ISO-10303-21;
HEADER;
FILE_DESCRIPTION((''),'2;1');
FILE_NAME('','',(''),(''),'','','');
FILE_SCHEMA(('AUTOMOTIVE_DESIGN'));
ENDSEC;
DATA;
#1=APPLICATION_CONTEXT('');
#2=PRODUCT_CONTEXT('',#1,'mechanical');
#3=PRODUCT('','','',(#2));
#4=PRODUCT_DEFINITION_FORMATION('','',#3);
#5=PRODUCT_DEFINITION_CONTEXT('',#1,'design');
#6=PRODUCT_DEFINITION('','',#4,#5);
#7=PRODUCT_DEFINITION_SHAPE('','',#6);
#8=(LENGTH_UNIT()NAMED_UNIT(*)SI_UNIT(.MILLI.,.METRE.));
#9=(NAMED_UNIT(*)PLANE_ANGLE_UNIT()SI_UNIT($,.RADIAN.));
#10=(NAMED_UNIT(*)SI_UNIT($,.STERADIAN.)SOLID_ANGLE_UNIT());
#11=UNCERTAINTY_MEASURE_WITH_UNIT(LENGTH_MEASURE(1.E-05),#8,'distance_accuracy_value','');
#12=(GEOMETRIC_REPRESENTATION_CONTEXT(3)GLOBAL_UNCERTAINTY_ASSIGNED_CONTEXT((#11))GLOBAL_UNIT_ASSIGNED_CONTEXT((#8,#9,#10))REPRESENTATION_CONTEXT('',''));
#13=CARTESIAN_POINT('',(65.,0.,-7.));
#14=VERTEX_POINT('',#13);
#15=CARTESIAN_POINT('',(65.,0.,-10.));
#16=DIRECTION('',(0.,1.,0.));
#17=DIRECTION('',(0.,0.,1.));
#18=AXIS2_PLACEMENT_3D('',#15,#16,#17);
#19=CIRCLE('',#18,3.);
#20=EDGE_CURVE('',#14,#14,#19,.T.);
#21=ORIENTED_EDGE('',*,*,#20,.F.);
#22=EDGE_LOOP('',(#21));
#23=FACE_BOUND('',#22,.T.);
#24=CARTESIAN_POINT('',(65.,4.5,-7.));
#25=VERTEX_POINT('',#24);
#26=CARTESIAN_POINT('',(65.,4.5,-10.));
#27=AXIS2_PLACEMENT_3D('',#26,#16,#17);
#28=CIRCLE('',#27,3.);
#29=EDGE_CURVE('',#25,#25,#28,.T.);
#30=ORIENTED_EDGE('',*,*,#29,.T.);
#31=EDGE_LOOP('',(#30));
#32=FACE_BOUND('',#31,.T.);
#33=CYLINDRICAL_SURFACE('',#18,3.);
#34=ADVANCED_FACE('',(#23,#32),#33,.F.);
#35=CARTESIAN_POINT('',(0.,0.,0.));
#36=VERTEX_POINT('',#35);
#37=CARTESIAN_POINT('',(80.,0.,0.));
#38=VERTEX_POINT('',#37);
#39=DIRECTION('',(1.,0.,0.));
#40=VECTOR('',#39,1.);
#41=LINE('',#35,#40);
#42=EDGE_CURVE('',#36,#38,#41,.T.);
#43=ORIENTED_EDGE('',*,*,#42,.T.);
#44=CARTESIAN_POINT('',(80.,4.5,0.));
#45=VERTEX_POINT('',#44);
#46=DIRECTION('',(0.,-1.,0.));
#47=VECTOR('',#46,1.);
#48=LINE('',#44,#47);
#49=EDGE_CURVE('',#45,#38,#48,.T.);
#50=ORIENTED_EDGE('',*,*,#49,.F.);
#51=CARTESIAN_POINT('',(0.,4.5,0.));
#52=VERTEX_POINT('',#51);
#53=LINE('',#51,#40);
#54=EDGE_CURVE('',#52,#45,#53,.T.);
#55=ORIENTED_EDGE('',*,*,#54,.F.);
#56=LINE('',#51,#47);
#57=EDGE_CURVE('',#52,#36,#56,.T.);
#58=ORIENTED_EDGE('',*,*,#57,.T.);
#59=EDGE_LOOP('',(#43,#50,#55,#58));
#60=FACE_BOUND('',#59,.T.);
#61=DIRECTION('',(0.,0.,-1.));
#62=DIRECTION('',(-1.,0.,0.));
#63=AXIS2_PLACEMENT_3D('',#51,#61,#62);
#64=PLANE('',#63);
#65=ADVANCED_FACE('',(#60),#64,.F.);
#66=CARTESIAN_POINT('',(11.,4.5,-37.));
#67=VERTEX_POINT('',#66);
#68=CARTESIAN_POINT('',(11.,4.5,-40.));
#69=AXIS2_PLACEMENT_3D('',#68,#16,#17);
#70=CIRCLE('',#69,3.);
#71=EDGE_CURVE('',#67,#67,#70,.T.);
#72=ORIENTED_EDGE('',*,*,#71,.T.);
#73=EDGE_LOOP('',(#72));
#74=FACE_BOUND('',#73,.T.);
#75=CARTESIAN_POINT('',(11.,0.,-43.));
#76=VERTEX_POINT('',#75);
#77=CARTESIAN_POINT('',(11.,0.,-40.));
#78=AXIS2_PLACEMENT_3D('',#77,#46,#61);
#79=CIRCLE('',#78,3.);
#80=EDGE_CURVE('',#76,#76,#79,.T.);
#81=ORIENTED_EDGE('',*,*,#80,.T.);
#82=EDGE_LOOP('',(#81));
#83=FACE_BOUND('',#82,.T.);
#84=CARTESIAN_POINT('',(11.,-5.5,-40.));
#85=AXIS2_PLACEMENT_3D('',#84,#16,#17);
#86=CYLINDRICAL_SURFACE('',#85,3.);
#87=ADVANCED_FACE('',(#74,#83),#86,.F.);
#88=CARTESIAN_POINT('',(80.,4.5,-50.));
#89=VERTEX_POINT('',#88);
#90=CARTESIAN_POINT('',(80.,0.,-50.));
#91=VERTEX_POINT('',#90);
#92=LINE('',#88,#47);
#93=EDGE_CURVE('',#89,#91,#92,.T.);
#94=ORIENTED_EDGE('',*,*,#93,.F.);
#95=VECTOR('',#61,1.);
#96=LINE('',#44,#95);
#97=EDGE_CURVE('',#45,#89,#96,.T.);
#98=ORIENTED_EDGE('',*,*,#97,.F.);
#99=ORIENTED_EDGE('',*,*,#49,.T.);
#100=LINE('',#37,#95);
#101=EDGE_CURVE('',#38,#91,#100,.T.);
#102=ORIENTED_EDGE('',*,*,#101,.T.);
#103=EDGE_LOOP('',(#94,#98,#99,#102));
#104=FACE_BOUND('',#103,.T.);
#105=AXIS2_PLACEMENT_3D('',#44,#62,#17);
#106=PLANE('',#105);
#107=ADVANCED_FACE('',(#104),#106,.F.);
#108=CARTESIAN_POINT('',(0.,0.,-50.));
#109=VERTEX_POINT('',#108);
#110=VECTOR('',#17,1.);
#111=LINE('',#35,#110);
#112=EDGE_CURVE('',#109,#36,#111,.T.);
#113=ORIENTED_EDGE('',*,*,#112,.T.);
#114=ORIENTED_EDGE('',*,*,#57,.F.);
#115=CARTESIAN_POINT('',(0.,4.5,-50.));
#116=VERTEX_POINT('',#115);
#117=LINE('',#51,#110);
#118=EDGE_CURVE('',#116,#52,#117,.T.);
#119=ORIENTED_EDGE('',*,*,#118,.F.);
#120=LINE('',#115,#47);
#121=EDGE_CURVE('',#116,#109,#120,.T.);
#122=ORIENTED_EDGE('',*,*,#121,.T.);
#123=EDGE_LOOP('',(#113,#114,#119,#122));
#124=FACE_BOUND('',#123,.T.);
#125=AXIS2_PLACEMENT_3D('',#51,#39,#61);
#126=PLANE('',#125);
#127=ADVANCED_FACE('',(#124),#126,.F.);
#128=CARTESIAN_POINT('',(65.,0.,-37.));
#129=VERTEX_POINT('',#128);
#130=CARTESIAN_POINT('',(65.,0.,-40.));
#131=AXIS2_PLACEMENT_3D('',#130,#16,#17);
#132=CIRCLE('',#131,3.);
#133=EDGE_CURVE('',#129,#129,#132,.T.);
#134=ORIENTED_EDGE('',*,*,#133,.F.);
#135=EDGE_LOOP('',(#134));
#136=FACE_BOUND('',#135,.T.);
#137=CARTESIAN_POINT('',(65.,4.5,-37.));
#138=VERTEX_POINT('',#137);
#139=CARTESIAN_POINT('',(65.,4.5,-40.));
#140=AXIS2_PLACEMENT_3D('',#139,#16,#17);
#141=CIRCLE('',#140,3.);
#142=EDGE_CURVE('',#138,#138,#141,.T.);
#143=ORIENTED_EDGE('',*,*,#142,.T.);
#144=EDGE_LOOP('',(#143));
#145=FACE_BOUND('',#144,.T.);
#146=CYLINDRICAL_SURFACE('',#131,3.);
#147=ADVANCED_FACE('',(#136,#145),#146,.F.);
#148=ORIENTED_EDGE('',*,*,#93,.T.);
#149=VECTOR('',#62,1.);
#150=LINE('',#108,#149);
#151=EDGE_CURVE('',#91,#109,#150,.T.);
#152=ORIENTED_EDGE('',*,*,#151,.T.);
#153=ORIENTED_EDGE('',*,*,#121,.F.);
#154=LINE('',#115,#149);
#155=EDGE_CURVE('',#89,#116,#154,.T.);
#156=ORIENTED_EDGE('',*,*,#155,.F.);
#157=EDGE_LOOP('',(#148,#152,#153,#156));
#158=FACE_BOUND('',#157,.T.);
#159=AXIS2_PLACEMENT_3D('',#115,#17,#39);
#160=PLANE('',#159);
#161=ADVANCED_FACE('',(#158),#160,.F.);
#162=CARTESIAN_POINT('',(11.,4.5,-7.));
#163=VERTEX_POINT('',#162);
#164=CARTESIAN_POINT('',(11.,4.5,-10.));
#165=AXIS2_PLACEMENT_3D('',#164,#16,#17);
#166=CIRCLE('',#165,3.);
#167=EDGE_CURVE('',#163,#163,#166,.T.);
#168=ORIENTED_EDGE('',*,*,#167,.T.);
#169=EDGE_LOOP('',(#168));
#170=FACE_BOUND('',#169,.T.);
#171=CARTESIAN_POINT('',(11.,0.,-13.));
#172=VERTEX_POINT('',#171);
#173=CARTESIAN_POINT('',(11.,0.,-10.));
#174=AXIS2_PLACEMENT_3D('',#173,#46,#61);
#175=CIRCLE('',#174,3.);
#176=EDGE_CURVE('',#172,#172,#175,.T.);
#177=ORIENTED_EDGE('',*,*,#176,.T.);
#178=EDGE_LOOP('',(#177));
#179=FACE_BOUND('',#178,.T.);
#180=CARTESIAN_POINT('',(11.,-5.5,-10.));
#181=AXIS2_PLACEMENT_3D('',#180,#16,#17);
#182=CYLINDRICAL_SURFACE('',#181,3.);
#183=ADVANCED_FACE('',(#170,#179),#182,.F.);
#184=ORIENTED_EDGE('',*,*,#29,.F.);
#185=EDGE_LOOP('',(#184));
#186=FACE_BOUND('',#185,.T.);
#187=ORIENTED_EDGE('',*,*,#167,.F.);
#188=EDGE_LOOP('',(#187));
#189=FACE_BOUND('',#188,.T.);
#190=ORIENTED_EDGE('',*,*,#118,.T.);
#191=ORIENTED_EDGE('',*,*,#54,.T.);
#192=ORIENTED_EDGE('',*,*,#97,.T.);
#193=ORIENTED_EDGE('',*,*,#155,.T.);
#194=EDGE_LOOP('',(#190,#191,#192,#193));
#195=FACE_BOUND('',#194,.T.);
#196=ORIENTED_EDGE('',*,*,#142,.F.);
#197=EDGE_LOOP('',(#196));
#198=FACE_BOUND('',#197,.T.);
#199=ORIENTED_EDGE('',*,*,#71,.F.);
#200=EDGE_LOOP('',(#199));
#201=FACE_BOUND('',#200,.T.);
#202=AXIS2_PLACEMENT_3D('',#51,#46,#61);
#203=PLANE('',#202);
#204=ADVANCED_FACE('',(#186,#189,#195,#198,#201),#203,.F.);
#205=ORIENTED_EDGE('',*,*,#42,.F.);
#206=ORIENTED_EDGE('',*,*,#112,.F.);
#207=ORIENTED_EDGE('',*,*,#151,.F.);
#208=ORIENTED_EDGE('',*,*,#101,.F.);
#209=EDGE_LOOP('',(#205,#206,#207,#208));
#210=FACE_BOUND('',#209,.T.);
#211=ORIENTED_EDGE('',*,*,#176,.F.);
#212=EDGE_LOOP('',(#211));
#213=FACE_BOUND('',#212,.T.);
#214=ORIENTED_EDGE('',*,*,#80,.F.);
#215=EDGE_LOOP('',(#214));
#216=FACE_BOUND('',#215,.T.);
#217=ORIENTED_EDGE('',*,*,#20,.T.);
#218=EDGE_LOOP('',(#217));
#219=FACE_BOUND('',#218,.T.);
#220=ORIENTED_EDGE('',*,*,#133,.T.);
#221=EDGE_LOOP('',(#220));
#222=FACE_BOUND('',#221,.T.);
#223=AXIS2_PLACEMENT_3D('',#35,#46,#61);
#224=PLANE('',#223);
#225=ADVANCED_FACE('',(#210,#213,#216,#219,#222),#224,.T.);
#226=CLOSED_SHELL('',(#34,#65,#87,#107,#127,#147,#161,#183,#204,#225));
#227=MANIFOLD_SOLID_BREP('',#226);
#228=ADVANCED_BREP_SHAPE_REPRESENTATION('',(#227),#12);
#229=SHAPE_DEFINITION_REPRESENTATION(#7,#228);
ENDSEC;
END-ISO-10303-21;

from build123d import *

# Parameters (mm, degrees)
SKETCH1_W           = 80
SKETCH1_H           = 50
BOSS_EXTRUDE1_DEPTH = 4.5
SKETCH2_R           = 3
CUT_EXTRUDE1_DEPTH  = 4.5
SKETCH3_R           = 3
CUT_EXTRUDE2_DEPTH  = 10


with BuildPart() as part:
    # Sketch1 → Boss-Extrude1 (new body)
    with BuildSketch(Plane(origin=(0, 0, 0), x_dir=(1, 0, 0), z_dir=(0, 1, 0))):
        with Locations((40, 25)):
            Rectangle(SKETCH1_W, SKETCH1_H)
    extrude(amount=BOSS_EXTRUDE1_DEPTH)

    # Sketch2 → Cut-Extrude1 (cut)
    with BuildSketch(Plane(origin=(0, 4.5, 0), x_dir=(1, 0, 0), z_dir=(0, 1, 0))):
        with Locations(Location((65, 40, 0), (0, 0, 270))):
            Circle(SKETCH2_R)
        with Locations(Location((65, 10, 0), (0, 0, 270))):
            Circle(SKETCH2_R)
    extrude(amount=-CUT_EXTRUDE1_DEPTH, mode=Mode.SUBTRACT)

    # Sketch3 → Cut-Extrude2 (cut)
    with BuildSketch(Plane(origin=(0, 4.5, 0), x_dir=(1, 0, 0), z_dir=(0, 1, 0))):
        with Locations(Location((11, 40, 0), (0, 0, 270))):
            Circle(SKETCH3_R)
        with Locations(Location((11, 10, 0), (0, 0, 270))):
            Circle(SKETCH3_R)
    extrude(amount=-CUT_EXTRUDE2_DEPTH, mode=Mode.SUBTRACT)


solid = part.part
